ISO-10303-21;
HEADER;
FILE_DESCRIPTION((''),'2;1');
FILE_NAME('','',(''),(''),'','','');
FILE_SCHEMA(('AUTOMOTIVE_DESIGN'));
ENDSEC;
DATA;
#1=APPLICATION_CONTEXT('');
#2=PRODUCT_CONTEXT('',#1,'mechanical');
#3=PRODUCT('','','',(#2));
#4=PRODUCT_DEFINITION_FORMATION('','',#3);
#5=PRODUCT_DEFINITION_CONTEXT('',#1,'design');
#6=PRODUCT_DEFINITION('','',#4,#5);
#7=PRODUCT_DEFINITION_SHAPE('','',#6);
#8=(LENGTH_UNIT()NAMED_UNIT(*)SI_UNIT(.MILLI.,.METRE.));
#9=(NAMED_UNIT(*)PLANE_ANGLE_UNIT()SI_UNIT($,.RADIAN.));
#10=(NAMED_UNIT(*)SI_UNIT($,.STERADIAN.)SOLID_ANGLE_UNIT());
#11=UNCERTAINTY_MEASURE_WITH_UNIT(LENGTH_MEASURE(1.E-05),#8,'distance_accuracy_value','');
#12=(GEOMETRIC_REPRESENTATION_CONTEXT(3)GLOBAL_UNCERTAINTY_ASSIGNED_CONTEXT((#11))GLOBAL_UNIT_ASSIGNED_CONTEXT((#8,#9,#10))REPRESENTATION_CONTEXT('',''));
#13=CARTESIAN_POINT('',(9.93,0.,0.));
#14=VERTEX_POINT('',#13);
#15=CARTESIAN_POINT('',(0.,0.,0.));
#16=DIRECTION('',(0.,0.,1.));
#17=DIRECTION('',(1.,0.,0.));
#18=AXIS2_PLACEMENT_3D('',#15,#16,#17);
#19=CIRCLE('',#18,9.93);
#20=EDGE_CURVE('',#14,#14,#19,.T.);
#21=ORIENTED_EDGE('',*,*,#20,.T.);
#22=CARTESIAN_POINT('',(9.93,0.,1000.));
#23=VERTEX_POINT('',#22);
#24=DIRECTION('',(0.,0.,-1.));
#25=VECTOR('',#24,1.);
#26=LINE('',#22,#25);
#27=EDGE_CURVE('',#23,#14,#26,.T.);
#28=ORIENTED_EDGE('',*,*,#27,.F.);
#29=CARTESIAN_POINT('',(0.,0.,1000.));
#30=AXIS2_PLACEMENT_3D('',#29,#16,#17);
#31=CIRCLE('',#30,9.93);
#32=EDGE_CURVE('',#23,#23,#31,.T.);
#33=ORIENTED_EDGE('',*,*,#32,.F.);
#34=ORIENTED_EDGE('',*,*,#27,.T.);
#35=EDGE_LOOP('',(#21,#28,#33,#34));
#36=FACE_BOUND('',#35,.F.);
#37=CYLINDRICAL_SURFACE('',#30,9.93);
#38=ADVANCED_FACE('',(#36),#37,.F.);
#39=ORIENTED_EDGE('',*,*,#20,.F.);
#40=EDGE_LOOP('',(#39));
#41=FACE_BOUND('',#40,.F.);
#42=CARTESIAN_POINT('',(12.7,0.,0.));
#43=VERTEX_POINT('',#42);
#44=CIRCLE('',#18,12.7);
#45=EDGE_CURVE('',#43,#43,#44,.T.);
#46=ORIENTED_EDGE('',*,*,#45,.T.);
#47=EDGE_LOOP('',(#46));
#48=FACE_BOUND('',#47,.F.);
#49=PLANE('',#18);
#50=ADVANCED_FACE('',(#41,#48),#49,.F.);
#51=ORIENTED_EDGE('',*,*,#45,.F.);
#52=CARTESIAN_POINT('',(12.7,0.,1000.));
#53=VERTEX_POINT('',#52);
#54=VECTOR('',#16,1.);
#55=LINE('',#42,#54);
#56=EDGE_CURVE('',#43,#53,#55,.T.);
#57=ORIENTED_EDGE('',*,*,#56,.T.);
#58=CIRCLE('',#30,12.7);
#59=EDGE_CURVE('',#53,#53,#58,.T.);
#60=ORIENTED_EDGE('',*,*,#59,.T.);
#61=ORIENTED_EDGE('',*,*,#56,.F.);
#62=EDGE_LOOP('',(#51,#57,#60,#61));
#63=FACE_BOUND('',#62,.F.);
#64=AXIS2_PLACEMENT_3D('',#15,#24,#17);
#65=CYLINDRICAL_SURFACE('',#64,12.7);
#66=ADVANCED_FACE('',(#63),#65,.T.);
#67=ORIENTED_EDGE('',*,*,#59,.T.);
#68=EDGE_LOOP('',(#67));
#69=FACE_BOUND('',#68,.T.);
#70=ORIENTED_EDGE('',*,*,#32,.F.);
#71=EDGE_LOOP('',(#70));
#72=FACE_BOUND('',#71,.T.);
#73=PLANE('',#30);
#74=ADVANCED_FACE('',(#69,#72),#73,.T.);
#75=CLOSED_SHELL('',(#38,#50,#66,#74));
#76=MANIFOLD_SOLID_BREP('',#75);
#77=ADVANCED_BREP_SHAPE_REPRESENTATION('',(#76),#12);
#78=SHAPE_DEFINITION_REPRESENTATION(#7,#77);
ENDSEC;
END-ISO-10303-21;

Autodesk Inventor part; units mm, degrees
ref_plane "YZ Plane" through (0, 0, 0) normal (1, 0, 0) x (0, 1, 0)
ref_plane "Start plane" through (0, 0, 0) normal (0, 0, 1) x (1, 0, 0)
ref_plane "End plane" through (0, 0, 1000) normal (0, 0, 1) x (1, 0, 0)
sketch "Sketch" plane through (0, 0, 0) normal (0, 0, 1) x (1, 0, 0)
  circle A0 centre (0, 0) radius 12.7
  dimension "d0" = 25.4
extrude "Body" add sketch "Sketch" along normal up to surface (1000 mm away) from surface at 0
sketch "Sketch2" plane through (0, 0, 0) normal (0, 0, 1) x (1, 0, 0)
  line L0 (0, 0) -> (10, 0)
ref_plane "Work Plane3" through (0, 0, 0) normal (0, -1, 0) x (1, 0, 0)
sketch "Sketch3" plane through (0, 0, 0) normal (0, -1, 0) x (1, 0, 0)
  line L0 (-2, 0) -> (12, 0)
  line L1 (-2, 1000) -> (12, 1000)
  dimension "d7" = 1000
sketch "Sketch4" plane through (0, 0, 1000) normal (0, 0, 1) x (1, 0, 0)
  circle A0 centre (0, 0) radius 9.93
  dimension "d8" = 19.86
extrude "Extrusion2" cut sketch "Sketch4" against normal blind 1000
equation "\"d0\" = Diam"
equation "\"d1\" = G_L"
equation "\"Diam\" = 25.4"
equation "\"G_L\" = d7"
equation "\"G_OFFSET_START\" = 0"
equation "\"G_OFFSET_END\" = 0"
properties part number "ANSI/AISC Rolled Steel - 1-39,37" material "Steel ASTM 213 TP304"
